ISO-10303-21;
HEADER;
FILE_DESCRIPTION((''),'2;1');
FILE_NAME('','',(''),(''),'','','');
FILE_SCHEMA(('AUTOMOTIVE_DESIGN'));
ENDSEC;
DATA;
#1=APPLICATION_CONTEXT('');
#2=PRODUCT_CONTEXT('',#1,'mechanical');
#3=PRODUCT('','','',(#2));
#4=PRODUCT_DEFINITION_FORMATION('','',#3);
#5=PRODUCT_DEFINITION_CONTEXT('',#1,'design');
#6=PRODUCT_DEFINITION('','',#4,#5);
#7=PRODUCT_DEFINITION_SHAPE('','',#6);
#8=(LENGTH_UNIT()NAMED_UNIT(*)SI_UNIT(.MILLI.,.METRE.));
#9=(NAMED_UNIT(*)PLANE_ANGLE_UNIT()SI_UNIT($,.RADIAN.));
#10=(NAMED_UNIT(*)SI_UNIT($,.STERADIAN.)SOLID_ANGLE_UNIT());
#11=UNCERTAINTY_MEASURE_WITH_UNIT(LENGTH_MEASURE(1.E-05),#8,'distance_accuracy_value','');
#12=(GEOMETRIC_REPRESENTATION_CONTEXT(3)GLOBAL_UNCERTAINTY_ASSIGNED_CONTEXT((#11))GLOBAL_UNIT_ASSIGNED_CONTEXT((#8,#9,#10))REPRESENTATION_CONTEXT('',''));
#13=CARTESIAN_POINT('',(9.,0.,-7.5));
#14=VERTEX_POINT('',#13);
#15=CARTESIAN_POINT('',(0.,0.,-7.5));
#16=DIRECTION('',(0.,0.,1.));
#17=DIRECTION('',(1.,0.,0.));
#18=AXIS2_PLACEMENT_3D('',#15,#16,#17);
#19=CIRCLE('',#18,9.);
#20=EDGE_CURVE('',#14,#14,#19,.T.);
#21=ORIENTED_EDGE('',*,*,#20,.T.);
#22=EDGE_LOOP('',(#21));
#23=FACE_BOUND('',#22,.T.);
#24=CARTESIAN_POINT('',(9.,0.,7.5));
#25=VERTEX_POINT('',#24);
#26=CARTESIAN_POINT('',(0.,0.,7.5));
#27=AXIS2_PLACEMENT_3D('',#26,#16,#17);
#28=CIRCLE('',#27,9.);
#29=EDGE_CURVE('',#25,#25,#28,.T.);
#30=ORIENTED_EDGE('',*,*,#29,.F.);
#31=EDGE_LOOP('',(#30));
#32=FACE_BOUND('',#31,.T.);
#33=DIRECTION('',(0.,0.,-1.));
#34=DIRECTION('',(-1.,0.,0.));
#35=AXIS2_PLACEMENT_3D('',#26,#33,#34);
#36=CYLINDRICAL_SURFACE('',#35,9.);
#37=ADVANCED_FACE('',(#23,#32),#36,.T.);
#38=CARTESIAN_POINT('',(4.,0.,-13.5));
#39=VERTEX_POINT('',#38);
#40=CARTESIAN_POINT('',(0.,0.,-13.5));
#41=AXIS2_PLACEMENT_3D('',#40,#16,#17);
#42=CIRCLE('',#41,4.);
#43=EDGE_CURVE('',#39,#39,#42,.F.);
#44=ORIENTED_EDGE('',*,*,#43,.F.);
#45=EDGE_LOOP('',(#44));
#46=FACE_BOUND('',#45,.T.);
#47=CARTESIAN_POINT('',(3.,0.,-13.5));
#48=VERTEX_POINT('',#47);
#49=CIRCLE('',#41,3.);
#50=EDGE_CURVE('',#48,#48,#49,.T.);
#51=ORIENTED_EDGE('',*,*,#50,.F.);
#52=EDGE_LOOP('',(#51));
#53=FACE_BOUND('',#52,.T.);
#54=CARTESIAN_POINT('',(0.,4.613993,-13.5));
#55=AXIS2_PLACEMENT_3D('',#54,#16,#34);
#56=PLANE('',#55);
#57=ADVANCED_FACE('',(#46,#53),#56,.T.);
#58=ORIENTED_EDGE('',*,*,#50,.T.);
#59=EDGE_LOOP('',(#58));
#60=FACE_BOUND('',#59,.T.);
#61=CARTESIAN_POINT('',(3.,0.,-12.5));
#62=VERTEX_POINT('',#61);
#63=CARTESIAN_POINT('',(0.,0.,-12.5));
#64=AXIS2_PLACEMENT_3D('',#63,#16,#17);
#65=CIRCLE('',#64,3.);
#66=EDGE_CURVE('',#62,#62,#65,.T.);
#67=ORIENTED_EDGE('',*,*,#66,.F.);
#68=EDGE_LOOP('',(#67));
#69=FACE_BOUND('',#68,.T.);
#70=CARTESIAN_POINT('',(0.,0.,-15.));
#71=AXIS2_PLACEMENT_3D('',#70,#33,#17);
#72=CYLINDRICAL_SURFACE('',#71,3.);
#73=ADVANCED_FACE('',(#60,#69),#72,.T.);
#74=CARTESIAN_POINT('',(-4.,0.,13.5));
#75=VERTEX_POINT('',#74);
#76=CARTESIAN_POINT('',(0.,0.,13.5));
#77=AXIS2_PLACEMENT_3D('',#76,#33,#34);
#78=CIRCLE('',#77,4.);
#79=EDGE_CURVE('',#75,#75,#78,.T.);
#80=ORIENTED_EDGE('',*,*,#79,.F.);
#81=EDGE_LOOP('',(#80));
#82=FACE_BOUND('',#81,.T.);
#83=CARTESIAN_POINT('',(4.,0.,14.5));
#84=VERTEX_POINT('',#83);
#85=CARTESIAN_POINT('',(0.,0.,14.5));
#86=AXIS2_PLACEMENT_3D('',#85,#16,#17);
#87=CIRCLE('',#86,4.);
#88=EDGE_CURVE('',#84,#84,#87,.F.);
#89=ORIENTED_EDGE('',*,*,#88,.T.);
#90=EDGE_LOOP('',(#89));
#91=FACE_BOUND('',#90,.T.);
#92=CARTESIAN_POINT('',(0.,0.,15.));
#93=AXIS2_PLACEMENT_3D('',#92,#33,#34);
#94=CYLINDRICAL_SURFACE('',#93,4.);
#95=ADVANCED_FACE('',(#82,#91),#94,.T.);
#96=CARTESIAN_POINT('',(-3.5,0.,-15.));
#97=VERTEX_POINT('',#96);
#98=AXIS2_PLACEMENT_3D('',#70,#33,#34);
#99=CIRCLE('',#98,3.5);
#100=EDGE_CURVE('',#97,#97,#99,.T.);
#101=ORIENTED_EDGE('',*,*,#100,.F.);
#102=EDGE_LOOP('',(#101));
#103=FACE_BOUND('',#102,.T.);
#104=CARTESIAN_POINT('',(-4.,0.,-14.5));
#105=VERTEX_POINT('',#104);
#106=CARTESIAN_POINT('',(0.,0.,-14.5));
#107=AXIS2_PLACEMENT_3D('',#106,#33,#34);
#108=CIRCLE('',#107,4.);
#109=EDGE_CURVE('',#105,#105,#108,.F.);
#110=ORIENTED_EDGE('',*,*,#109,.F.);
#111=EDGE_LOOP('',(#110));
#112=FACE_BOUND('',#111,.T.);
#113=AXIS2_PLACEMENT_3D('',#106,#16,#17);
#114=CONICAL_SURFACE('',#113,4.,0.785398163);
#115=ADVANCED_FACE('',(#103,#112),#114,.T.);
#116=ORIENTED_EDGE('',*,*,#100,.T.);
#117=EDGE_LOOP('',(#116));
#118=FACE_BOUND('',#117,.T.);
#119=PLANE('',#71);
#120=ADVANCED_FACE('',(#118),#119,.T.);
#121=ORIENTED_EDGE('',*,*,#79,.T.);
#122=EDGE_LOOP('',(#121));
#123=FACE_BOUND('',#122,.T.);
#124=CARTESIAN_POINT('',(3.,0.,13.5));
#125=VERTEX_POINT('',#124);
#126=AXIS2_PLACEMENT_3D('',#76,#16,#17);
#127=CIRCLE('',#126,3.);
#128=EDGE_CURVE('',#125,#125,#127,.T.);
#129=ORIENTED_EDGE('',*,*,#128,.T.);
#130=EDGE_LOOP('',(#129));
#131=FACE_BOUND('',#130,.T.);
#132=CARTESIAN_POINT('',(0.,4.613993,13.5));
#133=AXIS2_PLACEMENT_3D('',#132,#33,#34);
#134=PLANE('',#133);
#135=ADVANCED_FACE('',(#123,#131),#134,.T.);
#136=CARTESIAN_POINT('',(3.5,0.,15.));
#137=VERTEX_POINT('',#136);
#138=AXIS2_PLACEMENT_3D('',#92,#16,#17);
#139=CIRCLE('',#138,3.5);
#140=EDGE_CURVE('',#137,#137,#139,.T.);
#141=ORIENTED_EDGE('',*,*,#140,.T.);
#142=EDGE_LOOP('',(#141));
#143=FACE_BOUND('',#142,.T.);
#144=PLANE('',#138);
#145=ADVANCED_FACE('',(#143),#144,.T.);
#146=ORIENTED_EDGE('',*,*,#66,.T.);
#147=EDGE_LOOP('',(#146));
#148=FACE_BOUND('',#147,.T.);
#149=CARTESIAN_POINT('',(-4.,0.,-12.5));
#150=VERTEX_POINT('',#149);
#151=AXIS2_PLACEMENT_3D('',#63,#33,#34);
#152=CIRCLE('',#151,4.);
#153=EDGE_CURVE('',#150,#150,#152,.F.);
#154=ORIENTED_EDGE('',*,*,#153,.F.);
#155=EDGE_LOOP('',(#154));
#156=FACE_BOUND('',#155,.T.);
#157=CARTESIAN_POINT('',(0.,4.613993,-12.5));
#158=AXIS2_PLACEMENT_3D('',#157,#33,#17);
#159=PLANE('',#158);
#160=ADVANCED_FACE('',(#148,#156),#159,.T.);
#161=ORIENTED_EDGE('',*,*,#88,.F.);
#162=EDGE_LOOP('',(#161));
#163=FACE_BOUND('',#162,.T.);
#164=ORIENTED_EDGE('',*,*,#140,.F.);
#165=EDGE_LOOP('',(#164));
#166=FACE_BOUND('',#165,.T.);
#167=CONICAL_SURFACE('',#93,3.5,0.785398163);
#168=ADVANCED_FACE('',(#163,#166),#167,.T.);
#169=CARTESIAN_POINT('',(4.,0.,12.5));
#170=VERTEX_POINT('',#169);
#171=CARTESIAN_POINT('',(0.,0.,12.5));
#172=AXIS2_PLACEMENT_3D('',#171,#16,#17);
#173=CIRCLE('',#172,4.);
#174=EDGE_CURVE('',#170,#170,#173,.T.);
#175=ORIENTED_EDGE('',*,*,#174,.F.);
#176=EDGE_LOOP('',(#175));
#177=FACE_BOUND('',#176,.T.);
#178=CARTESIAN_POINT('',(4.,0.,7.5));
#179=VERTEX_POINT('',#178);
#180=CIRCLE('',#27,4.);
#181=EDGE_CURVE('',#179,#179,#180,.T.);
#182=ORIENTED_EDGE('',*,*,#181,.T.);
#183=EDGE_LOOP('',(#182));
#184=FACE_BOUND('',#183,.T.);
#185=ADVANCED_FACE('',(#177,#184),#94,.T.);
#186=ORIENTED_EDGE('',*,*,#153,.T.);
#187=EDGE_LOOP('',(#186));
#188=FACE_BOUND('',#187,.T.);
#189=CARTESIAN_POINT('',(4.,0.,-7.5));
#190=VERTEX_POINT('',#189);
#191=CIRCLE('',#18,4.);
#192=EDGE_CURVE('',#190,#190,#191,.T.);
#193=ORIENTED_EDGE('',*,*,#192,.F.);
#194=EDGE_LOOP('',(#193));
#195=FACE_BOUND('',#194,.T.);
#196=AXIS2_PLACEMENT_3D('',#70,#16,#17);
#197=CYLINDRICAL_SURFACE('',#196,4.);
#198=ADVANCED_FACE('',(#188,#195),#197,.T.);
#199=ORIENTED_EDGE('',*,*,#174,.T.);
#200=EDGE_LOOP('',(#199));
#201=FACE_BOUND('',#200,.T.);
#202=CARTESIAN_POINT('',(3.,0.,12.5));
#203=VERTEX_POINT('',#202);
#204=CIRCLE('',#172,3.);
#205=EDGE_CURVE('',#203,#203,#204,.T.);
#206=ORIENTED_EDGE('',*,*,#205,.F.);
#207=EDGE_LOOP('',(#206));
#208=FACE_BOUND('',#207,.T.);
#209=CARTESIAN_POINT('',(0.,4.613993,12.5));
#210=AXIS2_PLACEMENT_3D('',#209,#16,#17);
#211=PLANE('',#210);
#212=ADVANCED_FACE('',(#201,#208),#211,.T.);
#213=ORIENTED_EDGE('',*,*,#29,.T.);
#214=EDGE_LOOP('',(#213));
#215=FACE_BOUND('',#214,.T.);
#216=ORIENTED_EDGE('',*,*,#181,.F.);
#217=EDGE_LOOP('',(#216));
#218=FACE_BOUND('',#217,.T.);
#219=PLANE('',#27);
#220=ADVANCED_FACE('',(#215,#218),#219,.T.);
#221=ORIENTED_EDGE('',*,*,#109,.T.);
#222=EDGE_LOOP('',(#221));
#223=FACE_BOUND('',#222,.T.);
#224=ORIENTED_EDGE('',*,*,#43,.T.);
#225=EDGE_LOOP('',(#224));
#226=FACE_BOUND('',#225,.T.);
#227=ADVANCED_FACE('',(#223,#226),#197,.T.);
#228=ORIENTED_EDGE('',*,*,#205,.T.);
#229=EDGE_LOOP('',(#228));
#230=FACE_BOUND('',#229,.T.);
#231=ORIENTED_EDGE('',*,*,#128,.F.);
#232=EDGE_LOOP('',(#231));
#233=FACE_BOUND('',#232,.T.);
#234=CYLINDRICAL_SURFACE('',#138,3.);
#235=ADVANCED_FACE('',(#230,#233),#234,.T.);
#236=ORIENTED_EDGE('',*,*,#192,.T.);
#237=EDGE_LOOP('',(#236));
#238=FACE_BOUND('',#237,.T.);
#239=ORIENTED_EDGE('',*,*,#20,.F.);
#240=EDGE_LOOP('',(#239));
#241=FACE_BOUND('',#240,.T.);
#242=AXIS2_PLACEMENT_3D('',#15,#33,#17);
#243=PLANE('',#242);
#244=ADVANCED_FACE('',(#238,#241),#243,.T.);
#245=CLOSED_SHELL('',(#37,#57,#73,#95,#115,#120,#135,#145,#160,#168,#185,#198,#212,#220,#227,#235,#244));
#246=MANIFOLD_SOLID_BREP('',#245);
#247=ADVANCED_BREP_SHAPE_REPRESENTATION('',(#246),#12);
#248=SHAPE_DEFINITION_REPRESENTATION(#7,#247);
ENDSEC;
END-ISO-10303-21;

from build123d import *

# Parameters (mm, degrees)
SKETCH1_R                = 9
BOSS_EXTRUDE1_DEPTH      = 7.5
SKETCH2_R                = 4
BOSS_EXTRUDE2_DEPTH      = 7.5
SKETCH3_W                = 1
SKETCH3_H                = 1.613993142
CHAMFER1_SIZE            = 0.5
CHAMFER1_OF_MIRROR1_SIZE = 0.5


with BuildPart() as part:
    # Sketch1 → Boss-Extrude1 (new body)
    with BuildSketch(Plane.XY):
        Circle(SKETCH1_R)
    boss_extrude1 = extrude(amount=BOSS_EXTRUDE1_DEPTH)

    # Sketch2 → Boss-Extrude2 (add)
    with BuildSketch(Plane.XY.offset(7.5)):
        Circle(SKETCH2_R)
    boss_extrude2 = extrude(amount=BOSS_EXTRUDE2_DEPTH)

    # Sketch3 → Cut-Revolve1 (revolve, cut)
    with BuildSketch(Plane(origin=(0, 0, 0), x_dir=(0, 0, -1), z_dir=(1, 0, 0))):
        with Locations((-13, 3.806996571)):
            Rectangle(SKETCH3_W, SKETCH3_H)
    cut_revolve1 = revolve(axis=Axis((0, 0, 15), (0, 0, -1)), mode=Mode.SUBTRACT)

    # Chamfer1
    chamfer1_edges = [part.edges().sort_by_distance(p)[0] for p in [
        (-4, 0, 15),
    ]]
    chamfer(chamfer1_edges, length=CHAMFER1_SIZE)

    # Mirror1: Boss-Extrude1, Boss-Extrude2, Cut-Revolve1 across plane
    add(boss_extrude1.mirror(Plane.XY))
    add(boss_extrude2.mirror(Plane.XY))
    add(cut_revolve1.mirror(Plane.XY), mode=Mode.SUBTRACT)

    # Chamfer1 of Mirror1
    chamfer1_of_mirror1_edges = [part.edges().sort_by_distance(p)[0] for p in [
        (-4, 0, -15),
    ]]
    chamfer(chamfer1_of_mirror1_edges, length=CHAMFER1_OF_MIRROR1_SIZE)


solid = part.part
